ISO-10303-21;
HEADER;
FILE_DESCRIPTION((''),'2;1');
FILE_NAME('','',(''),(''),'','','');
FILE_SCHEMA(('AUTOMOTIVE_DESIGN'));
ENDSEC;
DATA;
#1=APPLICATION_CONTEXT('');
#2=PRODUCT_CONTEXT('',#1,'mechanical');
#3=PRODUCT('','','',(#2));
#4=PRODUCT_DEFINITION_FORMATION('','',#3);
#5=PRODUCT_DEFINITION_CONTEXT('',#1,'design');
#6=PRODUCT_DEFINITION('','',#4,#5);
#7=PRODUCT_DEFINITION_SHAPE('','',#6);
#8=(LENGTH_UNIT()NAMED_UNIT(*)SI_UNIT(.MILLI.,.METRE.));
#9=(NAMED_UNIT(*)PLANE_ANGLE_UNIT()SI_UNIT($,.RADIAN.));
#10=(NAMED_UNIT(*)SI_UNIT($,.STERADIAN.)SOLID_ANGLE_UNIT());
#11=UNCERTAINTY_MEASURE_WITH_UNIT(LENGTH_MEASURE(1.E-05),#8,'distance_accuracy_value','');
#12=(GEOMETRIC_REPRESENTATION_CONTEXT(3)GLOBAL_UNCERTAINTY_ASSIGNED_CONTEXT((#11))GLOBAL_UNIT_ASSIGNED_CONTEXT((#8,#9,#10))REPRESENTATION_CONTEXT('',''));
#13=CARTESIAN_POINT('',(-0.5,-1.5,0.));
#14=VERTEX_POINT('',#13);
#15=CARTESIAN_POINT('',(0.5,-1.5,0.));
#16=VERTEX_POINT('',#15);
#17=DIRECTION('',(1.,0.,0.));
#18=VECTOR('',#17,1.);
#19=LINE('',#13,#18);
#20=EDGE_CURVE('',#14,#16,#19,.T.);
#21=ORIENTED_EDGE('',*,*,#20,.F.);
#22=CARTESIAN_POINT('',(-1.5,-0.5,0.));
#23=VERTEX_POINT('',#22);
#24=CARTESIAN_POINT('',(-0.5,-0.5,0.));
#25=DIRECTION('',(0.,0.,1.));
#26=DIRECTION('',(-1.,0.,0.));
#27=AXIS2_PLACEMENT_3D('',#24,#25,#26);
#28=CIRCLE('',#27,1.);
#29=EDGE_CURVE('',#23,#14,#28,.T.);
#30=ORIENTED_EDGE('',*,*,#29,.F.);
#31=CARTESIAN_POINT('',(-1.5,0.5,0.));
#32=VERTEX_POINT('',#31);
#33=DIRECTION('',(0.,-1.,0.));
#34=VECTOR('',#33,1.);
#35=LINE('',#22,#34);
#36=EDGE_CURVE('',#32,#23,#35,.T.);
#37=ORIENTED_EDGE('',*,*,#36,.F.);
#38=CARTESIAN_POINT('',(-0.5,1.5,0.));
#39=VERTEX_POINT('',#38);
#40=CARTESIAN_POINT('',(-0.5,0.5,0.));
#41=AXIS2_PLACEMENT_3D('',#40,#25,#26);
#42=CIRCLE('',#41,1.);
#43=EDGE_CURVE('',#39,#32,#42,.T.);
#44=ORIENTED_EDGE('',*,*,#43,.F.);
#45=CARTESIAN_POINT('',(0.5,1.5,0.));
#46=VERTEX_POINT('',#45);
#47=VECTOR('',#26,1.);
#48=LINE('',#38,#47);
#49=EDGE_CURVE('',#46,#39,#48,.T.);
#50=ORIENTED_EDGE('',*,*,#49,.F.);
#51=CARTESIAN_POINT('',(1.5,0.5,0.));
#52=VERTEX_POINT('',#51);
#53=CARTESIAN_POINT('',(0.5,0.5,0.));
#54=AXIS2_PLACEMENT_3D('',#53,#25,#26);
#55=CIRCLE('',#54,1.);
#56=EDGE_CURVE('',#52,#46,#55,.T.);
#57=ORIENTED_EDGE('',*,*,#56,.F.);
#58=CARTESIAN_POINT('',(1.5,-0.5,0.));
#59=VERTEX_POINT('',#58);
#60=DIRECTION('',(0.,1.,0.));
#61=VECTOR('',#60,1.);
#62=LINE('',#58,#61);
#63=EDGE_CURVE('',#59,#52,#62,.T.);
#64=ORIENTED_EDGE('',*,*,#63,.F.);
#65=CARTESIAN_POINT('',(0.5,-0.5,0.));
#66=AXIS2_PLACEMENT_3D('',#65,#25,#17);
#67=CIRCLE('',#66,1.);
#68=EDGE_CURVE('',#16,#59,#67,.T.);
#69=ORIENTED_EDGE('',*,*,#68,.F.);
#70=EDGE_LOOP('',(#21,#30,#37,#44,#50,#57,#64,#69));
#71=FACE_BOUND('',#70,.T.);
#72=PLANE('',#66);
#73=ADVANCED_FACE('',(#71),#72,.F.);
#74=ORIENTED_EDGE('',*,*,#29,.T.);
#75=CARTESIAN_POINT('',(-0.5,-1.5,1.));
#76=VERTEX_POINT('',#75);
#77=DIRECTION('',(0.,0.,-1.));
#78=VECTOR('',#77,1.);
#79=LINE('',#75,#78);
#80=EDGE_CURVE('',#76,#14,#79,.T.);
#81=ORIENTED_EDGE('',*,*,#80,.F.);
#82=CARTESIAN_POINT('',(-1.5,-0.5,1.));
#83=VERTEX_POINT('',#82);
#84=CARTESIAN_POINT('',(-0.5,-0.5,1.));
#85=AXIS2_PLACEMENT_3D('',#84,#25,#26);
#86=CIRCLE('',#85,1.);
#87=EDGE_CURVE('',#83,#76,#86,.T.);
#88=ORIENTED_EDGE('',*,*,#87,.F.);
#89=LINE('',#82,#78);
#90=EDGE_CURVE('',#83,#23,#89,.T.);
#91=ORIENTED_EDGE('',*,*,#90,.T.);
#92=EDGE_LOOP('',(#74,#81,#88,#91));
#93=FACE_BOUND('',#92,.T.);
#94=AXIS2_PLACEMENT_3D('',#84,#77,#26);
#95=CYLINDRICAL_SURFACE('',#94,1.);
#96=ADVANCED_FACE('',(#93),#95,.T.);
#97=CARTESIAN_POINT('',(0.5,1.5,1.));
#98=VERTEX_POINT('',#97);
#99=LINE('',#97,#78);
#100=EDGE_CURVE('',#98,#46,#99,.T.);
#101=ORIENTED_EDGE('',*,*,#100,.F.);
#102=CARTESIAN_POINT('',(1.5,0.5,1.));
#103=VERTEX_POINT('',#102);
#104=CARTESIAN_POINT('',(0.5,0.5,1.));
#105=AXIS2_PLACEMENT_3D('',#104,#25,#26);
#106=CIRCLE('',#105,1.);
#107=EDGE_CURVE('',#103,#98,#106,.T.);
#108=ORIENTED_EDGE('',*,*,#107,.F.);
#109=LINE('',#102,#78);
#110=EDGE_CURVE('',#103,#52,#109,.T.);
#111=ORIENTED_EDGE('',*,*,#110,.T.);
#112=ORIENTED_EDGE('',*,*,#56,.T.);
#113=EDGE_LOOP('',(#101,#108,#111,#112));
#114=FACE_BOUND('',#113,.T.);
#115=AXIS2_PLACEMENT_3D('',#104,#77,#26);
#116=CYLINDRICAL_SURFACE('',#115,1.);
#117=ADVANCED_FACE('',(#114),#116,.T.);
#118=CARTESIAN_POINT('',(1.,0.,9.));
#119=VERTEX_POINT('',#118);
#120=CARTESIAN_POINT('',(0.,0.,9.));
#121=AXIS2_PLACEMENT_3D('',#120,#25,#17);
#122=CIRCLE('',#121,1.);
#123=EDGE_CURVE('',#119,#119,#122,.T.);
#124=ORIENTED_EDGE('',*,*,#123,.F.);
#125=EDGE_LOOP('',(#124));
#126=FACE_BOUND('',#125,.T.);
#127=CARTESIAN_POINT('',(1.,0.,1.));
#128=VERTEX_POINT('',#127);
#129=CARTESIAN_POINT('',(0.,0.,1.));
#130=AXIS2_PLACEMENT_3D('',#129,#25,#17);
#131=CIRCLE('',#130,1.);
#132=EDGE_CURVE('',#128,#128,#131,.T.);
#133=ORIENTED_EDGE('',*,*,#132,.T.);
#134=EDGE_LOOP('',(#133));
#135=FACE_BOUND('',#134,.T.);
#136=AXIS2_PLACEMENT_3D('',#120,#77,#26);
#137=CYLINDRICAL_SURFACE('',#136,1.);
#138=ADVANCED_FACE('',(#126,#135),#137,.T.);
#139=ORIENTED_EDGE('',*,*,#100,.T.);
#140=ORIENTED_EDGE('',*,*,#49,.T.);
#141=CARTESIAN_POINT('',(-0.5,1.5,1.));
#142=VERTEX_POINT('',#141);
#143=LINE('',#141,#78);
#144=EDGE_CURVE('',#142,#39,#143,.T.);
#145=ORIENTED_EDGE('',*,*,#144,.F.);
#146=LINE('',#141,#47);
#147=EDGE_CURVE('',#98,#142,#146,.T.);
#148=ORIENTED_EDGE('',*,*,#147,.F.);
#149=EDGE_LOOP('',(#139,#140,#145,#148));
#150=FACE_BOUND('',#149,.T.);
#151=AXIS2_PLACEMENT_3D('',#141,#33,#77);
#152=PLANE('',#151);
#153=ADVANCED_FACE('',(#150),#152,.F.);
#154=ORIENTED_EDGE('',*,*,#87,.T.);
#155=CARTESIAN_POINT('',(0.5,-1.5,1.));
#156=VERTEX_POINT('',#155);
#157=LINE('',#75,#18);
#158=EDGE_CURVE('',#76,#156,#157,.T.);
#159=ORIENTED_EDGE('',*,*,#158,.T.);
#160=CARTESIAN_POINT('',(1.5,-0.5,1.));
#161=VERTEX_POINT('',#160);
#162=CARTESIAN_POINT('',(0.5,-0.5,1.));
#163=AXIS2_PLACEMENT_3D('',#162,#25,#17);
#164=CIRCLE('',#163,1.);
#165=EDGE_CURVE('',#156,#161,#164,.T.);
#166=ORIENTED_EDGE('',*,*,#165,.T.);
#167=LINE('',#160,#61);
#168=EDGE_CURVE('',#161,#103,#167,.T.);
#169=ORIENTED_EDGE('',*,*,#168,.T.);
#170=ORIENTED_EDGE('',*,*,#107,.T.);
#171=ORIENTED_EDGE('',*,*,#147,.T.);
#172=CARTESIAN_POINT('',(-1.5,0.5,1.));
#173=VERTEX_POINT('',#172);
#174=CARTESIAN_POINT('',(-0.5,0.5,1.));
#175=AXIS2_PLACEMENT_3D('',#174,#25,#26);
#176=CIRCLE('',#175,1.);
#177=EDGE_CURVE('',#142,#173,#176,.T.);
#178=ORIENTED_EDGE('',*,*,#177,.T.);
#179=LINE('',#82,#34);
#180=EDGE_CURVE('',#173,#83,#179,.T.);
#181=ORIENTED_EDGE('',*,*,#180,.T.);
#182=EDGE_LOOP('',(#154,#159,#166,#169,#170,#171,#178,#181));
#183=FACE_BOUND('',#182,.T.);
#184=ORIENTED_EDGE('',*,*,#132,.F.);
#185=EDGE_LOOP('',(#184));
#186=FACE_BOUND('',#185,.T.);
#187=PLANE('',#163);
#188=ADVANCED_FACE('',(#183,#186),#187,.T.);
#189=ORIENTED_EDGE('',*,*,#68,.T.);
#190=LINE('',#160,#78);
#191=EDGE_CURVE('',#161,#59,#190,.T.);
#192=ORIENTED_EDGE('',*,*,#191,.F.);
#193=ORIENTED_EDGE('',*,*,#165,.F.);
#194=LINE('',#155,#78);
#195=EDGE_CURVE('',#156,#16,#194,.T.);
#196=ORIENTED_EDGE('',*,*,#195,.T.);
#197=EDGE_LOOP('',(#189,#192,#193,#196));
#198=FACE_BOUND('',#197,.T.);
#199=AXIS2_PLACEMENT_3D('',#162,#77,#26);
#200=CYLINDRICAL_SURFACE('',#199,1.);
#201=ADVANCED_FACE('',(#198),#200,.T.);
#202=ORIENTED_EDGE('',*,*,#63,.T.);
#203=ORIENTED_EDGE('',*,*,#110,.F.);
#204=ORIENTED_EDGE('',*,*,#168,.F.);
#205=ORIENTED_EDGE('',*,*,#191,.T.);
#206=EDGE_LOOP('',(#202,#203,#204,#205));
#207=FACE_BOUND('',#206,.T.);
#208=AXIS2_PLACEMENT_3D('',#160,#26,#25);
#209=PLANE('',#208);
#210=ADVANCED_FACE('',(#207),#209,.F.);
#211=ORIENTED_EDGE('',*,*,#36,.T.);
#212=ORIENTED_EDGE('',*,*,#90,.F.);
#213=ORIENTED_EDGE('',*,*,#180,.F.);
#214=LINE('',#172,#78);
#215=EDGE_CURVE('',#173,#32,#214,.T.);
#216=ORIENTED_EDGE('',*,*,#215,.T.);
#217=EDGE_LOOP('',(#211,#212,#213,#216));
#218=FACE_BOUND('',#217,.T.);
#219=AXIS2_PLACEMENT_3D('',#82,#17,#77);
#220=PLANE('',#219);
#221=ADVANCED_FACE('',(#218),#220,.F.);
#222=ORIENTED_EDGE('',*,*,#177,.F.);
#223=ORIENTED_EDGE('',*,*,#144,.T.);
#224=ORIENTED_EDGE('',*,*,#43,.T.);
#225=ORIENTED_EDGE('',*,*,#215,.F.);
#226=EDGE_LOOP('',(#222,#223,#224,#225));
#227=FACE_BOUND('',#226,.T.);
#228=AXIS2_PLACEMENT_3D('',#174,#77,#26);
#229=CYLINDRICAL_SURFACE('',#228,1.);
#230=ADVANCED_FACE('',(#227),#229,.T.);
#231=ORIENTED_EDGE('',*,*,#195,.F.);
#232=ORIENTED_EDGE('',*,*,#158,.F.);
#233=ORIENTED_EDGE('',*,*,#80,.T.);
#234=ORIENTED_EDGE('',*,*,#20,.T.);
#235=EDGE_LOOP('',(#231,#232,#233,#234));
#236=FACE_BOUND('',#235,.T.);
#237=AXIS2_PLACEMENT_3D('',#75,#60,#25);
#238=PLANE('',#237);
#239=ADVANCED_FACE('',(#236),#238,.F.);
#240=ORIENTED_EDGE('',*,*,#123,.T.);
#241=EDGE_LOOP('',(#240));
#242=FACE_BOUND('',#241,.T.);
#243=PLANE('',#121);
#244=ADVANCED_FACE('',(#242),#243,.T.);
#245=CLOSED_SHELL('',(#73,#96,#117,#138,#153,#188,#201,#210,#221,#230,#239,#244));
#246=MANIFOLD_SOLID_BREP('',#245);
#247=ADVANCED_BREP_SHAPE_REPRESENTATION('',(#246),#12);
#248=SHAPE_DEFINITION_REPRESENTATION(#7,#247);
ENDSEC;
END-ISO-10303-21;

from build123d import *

# Parameters (mm, degrees)
BOSS_EXTRUDE2_DEPTH = 1
SKETCH2_R           = 1
BOSS_EXTRUDE3_DEPTH = 8


with BuildPart() as part:
    # Sketch1 → Boss-Extrude2 (new body)
    with BuildSketch(Plane.XY):
        with BuildLine():
            Line((-0.5, -1.5), (0.5, -1.5))
            ThreePointArc((0.5, -1.5), (1.207106781, -1.207106781), (1.5, -0.5))
            Line((1.5, -0.5), (1.5, 0.5))
            ThreePointArc((1.5, 0.5), (1.207106781, 1.207106781), (0.5, 1.5))
            Line((0.5, 1.5), (-0.5, 1.5))
            ThreePointArc((-0.5, 1.5), (-1.207106781, 1.207106781), (-1.5, 0.5))
            Line((-1.5, 0.5), (-1.5, -0.5))
            ThreePointArc((-1.5, -0.5), (-1.207106781, -1.207106781), (-0.5, -1.5))
        make_face()
    extrude(amount=BOSS_EXTRUDE2_DEPTH)

    # Sketch2 → Boss-Extrude3 (add)
    with BuildSketch(Plane.XY.offset(1)):
        Circle(SKETCH2_R)
    extrude(amount=BOSS_EXTRUDE3_DEPTH)


solid = part.part
